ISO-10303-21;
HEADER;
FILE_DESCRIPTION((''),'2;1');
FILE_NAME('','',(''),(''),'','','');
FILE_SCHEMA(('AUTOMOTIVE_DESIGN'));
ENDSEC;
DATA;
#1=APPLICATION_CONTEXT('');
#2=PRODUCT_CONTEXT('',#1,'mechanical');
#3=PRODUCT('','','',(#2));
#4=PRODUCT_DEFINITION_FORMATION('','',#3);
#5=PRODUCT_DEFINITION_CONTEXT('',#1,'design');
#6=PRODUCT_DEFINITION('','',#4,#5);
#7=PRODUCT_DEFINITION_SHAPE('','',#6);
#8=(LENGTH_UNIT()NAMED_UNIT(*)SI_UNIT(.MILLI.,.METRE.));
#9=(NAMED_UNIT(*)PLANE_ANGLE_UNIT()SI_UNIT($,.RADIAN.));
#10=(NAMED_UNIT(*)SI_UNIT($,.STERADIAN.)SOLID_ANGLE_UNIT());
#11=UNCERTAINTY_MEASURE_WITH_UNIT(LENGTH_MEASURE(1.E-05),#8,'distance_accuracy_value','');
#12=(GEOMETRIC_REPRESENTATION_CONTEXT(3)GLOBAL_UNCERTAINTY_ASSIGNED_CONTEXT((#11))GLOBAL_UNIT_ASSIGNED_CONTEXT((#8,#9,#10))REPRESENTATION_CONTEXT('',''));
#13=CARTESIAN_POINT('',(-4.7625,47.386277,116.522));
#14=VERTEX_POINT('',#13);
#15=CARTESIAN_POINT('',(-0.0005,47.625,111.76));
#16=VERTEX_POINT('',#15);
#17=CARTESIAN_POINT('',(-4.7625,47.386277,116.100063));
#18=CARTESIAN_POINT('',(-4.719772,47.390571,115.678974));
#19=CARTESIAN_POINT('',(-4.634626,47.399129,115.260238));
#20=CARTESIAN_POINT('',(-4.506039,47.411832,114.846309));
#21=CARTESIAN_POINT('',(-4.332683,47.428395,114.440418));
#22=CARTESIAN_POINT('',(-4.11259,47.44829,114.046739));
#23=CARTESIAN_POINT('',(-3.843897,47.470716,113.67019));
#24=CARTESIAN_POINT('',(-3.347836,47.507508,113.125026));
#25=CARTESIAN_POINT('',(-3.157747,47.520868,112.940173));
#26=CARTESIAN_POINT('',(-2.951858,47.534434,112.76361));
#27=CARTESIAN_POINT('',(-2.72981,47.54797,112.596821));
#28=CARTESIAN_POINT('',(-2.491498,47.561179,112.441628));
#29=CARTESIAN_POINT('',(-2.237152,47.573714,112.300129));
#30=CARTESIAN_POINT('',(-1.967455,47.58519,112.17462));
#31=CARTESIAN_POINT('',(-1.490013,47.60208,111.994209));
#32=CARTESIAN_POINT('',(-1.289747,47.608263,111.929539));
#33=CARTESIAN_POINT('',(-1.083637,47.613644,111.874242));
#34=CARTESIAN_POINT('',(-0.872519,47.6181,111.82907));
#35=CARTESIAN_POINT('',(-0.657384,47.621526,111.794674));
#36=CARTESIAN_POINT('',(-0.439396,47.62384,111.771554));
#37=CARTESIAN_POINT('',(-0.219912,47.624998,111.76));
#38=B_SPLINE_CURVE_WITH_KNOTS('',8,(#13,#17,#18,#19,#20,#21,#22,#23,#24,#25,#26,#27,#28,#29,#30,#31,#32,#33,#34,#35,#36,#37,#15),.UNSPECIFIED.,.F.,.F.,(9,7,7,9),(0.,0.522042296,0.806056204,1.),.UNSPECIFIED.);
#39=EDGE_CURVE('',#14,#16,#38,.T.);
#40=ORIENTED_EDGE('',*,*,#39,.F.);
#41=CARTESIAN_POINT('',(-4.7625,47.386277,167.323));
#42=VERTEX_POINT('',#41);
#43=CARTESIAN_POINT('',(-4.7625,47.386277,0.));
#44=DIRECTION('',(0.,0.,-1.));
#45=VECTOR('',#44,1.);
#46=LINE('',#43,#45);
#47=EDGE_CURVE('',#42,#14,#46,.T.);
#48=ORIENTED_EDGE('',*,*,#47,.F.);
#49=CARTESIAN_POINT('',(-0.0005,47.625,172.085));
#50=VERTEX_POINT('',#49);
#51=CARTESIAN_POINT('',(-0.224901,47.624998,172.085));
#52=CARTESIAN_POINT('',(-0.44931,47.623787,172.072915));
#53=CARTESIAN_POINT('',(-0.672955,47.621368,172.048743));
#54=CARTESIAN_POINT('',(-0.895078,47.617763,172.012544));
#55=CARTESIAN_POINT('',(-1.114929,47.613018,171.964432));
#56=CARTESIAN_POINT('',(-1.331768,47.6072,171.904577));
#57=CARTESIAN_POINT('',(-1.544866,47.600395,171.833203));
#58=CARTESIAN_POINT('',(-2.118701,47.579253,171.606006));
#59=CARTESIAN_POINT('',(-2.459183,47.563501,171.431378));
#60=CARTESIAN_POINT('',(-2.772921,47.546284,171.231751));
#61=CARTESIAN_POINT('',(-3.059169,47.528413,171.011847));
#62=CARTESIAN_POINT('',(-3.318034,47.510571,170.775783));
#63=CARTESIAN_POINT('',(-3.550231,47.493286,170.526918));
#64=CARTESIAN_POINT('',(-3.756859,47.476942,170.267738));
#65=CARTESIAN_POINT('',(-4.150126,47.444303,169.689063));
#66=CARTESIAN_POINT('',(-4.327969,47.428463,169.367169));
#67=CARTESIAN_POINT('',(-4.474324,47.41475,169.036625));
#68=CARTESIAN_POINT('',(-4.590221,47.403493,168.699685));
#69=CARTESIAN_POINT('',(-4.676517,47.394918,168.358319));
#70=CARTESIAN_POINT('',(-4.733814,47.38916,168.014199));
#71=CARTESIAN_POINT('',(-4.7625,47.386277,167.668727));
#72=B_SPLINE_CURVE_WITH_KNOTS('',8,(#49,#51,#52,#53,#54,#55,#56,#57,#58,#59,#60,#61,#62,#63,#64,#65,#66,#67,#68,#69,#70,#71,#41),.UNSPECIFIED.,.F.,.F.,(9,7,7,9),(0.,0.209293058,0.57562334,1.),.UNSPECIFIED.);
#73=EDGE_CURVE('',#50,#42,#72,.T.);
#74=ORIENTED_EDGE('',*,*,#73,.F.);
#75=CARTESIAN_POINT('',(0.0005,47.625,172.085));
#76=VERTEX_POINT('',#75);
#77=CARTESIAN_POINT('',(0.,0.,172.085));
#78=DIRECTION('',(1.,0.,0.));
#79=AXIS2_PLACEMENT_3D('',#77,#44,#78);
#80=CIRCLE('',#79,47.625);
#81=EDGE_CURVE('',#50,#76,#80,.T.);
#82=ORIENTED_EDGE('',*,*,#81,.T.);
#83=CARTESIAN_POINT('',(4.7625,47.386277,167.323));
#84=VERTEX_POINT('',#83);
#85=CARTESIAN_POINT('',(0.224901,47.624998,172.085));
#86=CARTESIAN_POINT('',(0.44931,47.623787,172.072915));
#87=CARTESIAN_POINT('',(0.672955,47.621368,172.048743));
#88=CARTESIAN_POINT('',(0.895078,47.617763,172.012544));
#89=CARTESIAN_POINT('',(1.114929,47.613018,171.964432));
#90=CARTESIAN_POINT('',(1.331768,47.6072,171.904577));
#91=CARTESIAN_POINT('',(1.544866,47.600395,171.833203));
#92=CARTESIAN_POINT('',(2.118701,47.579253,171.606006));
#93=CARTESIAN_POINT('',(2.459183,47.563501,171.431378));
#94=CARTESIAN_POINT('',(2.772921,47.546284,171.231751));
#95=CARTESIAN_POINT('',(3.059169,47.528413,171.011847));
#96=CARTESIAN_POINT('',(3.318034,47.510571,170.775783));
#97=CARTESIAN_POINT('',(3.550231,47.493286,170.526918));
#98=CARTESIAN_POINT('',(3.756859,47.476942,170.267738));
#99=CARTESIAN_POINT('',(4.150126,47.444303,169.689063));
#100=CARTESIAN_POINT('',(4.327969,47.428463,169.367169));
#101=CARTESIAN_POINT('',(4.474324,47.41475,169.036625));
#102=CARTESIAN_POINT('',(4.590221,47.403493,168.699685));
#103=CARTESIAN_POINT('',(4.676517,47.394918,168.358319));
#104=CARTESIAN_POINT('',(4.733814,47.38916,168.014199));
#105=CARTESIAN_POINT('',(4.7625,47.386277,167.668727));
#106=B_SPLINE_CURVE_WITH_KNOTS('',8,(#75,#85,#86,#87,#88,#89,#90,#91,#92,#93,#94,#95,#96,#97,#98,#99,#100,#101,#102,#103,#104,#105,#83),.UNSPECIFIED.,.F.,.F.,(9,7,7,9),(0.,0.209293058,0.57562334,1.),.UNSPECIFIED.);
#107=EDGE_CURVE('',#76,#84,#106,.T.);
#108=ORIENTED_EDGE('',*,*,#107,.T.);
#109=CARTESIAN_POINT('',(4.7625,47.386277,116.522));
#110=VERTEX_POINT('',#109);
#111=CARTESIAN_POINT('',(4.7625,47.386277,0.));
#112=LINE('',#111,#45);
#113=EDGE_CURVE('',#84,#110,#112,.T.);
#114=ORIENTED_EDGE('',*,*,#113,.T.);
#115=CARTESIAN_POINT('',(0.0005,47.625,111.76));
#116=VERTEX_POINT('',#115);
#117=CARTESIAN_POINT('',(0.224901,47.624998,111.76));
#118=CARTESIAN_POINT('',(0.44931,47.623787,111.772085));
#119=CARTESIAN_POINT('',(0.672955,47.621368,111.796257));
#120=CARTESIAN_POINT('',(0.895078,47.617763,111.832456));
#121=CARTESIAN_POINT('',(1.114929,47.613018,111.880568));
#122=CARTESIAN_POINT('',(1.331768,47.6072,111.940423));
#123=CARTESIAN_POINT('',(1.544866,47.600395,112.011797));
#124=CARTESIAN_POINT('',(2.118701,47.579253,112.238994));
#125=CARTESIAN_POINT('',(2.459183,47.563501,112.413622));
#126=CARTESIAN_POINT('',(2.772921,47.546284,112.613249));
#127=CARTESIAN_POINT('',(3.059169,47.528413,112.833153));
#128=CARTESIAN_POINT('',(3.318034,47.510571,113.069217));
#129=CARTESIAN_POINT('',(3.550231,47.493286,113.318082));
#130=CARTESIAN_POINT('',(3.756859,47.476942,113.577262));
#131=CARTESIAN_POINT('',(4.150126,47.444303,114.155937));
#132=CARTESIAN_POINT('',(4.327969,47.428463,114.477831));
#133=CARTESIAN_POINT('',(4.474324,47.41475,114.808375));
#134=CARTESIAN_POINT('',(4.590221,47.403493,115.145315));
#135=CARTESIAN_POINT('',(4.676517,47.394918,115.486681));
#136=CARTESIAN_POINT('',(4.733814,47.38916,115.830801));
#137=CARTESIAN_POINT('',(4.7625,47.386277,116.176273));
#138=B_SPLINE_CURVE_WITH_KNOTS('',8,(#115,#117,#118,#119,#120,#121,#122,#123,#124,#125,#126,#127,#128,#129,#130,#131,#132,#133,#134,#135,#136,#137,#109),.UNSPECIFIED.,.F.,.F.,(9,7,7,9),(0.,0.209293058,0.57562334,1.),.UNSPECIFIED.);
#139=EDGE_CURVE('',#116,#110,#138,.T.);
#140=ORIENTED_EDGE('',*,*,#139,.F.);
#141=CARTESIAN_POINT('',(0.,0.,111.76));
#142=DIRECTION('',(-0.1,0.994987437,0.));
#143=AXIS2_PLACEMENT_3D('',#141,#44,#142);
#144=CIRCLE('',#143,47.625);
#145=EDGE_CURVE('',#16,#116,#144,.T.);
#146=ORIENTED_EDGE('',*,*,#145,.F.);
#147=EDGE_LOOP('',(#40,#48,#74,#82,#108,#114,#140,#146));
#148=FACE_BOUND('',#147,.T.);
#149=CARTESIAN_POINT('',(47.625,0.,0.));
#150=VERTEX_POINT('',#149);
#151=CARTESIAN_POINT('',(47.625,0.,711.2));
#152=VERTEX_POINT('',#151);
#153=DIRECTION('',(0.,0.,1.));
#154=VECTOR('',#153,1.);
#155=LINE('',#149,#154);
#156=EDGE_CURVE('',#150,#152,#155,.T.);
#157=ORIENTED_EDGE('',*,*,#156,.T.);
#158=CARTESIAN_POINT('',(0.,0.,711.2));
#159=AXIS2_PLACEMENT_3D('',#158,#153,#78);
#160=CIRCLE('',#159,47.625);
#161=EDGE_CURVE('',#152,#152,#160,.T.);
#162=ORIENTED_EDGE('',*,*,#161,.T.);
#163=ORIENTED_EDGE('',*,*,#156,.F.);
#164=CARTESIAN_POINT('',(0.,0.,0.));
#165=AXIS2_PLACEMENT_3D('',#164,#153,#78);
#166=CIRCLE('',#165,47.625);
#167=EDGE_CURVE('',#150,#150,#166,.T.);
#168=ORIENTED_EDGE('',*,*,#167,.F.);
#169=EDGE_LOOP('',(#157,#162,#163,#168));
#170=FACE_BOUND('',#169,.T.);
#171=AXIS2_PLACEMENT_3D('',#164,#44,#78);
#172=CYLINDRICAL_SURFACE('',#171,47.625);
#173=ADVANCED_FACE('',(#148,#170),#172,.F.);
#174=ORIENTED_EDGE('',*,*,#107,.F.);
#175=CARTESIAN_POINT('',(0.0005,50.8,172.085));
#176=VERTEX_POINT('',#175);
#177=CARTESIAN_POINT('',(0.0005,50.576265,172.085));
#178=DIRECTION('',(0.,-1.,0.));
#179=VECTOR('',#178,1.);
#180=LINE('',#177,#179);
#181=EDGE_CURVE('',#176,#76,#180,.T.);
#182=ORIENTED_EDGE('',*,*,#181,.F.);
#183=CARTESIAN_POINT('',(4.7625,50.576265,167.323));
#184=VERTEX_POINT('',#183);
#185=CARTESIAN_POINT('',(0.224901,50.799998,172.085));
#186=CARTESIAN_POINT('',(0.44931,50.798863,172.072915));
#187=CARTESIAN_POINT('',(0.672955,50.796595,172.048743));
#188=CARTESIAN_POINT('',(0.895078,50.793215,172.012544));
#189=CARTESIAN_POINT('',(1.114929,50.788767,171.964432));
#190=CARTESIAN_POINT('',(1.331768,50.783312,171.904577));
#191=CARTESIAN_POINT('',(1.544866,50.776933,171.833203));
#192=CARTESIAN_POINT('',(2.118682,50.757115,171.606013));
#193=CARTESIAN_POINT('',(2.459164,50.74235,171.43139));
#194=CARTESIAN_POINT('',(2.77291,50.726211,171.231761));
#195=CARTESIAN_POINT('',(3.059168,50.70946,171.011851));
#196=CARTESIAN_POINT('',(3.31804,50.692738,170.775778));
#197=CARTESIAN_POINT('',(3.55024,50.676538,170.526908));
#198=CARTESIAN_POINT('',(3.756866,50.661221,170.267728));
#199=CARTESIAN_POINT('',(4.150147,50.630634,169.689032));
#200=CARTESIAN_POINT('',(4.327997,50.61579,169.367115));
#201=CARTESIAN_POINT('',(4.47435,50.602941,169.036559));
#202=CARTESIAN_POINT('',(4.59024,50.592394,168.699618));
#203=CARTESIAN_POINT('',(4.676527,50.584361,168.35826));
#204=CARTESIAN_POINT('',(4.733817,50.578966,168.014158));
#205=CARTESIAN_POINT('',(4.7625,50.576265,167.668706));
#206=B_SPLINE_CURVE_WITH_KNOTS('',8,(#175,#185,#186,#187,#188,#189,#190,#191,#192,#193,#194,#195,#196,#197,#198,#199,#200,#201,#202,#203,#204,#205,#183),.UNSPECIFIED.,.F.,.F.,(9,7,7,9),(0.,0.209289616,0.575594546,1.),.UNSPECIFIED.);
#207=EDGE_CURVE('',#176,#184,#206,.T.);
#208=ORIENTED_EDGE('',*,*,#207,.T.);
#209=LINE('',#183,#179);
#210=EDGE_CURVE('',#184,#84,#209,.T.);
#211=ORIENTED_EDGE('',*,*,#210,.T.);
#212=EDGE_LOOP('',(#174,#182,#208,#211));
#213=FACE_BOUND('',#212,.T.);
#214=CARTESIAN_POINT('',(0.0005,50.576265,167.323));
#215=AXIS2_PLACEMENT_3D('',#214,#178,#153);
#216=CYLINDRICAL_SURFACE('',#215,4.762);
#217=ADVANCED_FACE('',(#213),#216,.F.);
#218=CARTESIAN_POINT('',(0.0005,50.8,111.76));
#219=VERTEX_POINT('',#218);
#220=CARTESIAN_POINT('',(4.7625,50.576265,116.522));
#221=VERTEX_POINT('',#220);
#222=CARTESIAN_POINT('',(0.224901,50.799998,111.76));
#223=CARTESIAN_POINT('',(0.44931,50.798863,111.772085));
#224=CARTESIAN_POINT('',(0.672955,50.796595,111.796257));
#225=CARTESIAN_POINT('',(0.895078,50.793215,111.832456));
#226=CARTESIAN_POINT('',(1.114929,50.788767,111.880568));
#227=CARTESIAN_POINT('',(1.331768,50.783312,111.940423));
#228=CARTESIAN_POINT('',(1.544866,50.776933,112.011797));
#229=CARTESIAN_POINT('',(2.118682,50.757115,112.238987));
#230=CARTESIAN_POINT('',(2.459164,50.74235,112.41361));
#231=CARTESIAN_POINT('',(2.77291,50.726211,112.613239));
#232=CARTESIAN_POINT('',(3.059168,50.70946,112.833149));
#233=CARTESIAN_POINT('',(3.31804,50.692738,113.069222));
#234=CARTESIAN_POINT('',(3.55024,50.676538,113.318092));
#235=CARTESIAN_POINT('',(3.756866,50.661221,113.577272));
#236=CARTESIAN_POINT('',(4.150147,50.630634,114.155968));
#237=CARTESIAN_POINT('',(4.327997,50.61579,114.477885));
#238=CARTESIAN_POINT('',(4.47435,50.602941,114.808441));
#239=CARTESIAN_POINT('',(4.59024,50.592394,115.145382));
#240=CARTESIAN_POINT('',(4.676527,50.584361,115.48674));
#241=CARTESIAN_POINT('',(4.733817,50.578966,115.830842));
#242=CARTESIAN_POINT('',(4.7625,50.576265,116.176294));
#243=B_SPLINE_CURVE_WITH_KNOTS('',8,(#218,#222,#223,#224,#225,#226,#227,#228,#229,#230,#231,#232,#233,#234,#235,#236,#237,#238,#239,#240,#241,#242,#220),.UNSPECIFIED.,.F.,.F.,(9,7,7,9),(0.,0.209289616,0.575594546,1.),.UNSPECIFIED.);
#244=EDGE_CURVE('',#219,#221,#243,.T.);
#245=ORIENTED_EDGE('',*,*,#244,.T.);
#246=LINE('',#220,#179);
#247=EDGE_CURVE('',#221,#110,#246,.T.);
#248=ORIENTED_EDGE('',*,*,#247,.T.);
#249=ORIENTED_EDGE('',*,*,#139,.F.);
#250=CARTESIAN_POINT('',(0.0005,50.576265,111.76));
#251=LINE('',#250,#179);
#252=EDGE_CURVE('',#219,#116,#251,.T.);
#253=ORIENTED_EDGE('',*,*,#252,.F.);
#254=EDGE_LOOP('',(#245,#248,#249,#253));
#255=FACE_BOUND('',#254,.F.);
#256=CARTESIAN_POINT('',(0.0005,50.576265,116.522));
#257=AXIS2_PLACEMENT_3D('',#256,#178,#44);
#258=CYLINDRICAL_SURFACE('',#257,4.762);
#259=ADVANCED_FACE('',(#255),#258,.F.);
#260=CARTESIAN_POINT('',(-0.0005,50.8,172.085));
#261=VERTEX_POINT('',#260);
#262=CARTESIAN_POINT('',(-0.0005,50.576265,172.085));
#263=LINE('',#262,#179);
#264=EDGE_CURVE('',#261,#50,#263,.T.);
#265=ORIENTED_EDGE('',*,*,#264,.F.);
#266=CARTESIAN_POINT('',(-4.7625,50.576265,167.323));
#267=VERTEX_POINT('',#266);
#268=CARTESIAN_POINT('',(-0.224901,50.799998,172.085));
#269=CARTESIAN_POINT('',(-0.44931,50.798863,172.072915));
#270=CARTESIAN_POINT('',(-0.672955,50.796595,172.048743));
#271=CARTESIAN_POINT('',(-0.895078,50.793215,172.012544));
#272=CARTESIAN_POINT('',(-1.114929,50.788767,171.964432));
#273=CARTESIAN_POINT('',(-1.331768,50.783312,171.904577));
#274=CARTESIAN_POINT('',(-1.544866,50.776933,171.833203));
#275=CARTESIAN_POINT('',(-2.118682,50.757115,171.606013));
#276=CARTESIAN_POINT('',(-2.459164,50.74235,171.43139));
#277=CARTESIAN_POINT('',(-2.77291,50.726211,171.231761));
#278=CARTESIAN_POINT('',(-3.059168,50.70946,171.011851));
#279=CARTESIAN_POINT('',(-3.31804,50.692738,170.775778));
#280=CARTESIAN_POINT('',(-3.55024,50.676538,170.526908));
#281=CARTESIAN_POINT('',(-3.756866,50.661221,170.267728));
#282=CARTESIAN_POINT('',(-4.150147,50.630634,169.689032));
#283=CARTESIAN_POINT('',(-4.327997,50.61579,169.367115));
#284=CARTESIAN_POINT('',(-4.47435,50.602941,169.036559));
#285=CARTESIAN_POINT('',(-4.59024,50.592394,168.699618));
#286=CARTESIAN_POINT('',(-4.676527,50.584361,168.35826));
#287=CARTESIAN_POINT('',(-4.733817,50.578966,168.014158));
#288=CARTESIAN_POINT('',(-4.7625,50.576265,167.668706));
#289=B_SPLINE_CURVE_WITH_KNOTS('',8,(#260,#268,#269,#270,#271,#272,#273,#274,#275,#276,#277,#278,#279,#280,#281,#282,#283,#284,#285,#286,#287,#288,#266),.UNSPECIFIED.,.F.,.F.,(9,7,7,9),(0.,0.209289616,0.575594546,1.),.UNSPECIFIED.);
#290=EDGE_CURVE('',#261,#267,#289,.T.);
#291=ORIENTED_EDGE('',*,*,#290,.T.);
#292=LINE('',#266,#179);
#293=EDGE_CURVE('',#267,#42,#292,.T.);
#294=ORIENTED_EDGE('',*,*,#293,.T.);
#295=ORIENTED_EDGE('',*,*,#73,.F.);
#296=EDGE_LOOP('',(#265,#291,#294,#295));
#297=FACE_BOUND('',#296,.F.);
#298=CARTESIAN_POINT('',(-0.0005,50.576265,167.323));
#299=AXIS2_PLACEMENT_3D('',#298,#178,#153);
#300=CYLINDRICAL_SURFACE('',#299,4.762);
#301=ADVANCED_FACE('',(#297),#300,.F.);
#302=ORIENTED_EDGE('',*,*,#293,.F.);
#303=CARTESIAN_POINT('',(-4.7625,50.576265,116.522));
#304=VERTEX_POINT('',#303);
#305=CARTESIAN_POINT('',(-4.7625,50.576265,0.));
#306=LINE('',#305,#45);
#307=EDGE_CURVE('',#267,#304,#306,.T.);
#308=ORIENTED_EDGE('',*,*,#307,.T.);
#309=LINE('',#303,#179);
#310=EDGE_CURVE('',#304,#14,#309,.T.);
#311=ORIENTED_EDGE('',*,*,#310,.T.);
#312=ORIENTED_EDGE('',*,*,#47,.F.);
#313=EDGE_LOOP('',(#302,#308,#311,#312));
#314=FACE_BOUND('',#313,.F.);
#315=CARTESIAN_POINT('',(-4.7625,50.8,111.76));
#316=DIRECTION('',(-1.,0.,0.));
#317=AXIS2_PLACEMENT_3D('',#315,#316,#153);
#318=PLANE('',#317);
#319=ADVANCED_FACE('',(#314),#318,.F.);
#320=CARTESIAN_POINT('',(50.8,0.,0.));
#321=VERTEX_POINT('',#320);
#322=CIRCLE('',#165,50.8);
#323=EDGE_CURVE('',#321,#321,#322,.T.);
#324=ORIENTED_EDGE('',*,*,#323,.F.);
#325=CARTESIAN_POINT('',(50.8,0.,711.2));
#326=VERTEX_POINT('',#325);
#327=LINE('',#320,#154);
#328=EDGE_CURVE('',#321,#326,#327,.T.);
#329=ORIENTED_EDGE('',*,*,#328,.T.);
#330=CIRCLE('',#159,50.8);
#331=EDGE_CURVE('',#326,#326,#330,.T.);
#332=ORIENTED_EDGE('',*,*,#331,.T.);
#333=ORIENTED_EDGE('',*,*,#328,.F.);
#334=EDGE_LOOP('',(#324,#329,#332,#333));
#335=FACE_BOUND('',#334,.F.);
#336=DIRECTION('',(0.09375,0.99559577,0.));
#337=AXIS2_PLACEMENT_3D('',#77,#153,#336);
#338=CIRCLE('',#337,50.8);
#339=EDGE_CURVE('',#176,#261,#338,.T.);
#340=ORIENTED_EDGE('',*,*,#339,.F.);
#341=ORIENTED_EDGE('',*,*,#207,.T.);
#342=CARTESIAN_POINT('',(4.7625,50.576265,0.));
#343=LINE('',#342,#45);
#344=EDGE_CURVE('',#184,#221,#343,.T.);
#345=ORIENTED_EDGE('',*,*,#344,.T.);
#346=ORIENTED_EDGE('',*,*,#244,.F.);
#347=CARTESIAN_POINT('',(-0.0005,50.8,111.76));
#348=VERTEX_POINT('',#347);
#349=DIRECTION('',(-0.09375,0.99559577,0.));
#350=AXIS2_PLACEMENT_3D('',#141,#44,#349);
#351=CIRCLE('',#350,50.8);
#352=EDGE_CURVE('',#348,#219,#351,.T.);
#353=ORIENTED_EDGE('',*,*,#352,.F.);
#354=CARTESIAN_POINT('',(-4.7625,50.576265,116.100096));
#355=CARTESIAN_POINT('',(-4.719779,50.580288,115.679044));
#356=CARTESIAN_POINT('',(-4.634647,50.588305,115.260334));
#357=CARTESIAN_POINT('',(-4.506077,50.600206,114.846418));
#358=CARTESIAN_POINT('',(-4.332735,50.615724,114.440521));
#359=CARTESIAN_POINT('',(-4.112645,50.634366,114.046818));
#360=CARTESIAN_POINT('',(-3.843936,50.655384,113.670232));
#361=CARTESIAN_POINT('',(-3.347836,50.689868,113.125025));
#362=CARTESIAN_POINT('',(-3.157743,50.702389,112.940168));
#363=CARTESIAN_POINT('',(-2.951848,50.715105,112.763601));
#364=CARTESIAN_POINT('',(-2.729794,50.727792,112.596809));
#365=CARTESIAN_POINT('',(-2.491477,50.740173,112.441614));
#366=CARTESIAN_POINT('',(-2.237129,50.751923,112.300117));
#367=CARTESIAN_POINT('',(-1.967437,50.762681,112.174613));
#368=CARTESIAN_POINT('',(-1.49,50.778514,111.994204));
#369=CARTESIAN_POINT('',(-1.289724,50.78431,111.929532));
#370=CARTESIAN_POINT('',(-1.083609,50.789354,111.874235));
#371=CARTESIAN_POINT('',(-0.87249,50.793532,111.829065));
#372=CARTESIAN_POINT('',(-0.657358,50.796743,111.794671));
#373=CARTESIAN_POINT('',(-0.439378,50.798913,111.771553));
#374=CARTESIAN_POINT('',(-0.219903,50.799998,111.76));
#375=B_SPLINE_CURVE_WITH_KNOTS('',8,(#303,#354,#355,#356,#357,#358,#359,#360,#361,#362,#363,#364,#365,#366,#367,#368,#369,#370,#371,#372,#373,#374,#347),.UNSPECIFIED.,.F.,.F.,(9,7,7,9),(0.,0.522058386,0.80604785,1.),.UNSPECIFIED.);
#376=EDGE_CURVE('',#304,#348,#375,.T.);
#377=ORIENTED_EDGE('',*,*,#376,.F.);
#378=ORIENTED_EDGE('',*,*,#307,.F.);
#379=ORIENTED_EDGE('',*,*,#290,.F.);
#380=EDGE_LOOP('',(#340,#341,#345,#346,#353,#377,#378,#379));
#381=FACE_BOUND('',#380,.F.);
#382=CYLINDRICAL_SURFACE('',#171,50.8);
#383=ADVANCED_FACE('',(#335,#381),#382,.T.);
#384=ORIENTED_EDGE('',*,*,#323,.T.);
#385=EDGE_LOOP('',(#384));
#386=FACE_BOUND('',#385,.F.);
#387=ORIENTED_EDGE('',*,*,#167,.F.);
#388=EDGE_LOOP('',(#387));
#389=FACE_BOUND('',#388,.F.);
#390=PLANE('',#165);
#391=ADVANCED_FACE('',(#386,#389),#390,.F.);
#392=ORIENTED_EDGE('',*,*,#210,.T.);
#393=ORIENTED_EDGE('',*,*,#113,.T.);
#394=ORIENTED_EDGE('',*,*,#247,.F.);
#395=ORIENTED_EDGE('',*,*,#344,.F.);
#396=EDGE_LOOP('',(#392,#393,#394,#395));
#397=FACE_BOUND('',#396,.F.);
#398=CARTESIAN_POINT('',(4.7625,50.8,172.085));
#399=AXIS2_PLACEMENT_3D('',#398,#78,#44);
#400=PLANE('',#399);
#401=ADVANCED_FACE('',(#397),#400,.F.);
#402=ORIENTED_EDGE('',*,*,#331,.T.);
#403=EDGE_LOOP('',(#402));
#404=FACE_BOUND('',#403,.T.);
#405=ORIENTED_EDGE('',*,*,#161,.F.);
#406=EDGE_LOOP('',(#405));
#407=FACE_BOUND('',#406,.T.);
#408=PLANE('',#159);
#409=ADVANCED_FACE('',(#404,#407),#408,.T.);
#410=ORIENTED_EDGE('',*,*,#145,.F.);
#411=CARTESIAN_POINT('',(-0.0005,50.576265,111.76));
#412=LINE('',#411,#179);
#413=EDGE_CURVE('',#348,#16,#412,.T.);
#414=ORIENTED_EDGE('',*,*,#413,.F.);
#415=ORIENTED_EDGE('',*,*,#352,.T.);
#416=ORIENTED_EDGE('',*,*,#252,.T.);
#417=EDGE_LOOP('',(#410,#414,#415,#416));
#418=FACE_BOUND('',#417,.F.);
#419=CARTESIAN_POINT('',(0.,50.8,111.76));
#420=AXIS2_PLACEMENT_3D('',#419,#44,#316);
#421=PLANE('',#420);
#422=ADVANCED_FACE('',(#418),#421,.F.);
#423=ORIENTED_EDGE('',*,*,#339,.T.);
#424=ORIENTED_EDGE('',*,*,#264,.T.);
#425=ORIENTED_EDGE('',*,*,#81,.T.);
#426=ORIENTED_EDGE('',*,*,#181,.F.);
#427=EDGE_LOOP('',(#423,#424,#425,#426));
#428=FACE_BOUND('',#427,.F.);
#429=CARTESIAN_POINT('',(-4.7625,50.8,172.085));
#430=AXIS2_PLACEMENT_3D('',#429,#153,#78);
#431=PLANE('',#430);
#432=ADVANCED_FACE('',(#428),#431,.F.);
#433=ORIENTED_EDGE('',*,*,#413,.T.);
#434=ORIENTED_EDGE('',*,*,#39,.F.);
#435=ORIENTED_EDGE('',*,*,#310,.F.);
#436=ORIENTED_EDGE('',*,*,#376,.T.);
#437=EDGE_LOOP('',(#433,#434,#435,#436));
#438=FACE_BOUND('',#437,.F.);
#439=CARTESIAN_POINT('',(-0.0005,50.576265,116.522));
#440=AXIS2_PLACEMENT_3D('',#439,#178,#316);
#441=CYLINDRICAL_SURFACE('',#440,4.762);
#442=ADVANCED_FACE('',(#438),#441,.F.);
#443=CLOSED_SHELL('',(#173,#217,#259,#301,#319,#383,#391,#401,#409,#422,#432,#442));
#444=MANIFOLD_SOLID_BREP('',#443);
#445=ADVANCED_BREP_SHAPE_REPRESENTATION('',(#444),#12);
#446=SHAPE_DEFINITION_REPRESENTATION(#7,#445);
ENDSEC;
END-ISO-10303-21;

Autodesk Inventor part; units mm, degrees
ref_plane "YZ Plane" through (0, 0, 0) normal (1, 0, 0) x (0, 1, 0)
ref_plane "XY Plane" through (0, 0, 0) normal (0, 0, 1) x (1, 0, 0)
sketch "Sketch1" plane through (0, 0, 0) normal (0, 0, 1) x (1, 0, 0)
  circle A0 centre (0, 0) radius 50.8
  circle A1 centre (0, 0) radius 47.625
  dimension "d0" = 101.6
  dimension "d1" = 95.25
extrude "Extrusion1" add sketch "Sketch1" along normal blind 711.2
ref_plane "Work Plane1" through (0, 50.8, 0) normal (0, 1, 0) x (-1, 0, 0)
sketch "Sketch3" plane through (0, 50.8, 0) normal (0, 1, 0) x (-1, 0, 0)
  line L0 (0, 0) -> (0, 111.76)
  line L1 (-4.7625, 111.76) -> (4.7625, 111.76)
  line L2 (4.7625, 111.76) -> (4.7625, 172.085)
  line L3 (4.7625, 172.085) -> (-4.7625, 172.085)
  line L4 (-4.7625, 172.085) -> (-4.7625, 111.76)
  dimension "d4" = 111.76
  dimension "d5" = 60.325
  dimension "d6" = 9.525
  dimension "d7" = 4.7625
extrude "Extrusion2" cut sketch "Sketch3" against normal blind 25.4
fillet "Fillet1" radius 4.7625 4 edges at (-4.7625, 48.9813, 111.76) (4.7625, 48.9813, 111.76) (4.7625, 48.9813, 172.085) (-4.7625, 48.9813, 172.085)
equation "\"d7\" = 0.5 * d6"
properties part number "PrimaryHullLexanTube_01" material "Polycarbonate, Clear"
